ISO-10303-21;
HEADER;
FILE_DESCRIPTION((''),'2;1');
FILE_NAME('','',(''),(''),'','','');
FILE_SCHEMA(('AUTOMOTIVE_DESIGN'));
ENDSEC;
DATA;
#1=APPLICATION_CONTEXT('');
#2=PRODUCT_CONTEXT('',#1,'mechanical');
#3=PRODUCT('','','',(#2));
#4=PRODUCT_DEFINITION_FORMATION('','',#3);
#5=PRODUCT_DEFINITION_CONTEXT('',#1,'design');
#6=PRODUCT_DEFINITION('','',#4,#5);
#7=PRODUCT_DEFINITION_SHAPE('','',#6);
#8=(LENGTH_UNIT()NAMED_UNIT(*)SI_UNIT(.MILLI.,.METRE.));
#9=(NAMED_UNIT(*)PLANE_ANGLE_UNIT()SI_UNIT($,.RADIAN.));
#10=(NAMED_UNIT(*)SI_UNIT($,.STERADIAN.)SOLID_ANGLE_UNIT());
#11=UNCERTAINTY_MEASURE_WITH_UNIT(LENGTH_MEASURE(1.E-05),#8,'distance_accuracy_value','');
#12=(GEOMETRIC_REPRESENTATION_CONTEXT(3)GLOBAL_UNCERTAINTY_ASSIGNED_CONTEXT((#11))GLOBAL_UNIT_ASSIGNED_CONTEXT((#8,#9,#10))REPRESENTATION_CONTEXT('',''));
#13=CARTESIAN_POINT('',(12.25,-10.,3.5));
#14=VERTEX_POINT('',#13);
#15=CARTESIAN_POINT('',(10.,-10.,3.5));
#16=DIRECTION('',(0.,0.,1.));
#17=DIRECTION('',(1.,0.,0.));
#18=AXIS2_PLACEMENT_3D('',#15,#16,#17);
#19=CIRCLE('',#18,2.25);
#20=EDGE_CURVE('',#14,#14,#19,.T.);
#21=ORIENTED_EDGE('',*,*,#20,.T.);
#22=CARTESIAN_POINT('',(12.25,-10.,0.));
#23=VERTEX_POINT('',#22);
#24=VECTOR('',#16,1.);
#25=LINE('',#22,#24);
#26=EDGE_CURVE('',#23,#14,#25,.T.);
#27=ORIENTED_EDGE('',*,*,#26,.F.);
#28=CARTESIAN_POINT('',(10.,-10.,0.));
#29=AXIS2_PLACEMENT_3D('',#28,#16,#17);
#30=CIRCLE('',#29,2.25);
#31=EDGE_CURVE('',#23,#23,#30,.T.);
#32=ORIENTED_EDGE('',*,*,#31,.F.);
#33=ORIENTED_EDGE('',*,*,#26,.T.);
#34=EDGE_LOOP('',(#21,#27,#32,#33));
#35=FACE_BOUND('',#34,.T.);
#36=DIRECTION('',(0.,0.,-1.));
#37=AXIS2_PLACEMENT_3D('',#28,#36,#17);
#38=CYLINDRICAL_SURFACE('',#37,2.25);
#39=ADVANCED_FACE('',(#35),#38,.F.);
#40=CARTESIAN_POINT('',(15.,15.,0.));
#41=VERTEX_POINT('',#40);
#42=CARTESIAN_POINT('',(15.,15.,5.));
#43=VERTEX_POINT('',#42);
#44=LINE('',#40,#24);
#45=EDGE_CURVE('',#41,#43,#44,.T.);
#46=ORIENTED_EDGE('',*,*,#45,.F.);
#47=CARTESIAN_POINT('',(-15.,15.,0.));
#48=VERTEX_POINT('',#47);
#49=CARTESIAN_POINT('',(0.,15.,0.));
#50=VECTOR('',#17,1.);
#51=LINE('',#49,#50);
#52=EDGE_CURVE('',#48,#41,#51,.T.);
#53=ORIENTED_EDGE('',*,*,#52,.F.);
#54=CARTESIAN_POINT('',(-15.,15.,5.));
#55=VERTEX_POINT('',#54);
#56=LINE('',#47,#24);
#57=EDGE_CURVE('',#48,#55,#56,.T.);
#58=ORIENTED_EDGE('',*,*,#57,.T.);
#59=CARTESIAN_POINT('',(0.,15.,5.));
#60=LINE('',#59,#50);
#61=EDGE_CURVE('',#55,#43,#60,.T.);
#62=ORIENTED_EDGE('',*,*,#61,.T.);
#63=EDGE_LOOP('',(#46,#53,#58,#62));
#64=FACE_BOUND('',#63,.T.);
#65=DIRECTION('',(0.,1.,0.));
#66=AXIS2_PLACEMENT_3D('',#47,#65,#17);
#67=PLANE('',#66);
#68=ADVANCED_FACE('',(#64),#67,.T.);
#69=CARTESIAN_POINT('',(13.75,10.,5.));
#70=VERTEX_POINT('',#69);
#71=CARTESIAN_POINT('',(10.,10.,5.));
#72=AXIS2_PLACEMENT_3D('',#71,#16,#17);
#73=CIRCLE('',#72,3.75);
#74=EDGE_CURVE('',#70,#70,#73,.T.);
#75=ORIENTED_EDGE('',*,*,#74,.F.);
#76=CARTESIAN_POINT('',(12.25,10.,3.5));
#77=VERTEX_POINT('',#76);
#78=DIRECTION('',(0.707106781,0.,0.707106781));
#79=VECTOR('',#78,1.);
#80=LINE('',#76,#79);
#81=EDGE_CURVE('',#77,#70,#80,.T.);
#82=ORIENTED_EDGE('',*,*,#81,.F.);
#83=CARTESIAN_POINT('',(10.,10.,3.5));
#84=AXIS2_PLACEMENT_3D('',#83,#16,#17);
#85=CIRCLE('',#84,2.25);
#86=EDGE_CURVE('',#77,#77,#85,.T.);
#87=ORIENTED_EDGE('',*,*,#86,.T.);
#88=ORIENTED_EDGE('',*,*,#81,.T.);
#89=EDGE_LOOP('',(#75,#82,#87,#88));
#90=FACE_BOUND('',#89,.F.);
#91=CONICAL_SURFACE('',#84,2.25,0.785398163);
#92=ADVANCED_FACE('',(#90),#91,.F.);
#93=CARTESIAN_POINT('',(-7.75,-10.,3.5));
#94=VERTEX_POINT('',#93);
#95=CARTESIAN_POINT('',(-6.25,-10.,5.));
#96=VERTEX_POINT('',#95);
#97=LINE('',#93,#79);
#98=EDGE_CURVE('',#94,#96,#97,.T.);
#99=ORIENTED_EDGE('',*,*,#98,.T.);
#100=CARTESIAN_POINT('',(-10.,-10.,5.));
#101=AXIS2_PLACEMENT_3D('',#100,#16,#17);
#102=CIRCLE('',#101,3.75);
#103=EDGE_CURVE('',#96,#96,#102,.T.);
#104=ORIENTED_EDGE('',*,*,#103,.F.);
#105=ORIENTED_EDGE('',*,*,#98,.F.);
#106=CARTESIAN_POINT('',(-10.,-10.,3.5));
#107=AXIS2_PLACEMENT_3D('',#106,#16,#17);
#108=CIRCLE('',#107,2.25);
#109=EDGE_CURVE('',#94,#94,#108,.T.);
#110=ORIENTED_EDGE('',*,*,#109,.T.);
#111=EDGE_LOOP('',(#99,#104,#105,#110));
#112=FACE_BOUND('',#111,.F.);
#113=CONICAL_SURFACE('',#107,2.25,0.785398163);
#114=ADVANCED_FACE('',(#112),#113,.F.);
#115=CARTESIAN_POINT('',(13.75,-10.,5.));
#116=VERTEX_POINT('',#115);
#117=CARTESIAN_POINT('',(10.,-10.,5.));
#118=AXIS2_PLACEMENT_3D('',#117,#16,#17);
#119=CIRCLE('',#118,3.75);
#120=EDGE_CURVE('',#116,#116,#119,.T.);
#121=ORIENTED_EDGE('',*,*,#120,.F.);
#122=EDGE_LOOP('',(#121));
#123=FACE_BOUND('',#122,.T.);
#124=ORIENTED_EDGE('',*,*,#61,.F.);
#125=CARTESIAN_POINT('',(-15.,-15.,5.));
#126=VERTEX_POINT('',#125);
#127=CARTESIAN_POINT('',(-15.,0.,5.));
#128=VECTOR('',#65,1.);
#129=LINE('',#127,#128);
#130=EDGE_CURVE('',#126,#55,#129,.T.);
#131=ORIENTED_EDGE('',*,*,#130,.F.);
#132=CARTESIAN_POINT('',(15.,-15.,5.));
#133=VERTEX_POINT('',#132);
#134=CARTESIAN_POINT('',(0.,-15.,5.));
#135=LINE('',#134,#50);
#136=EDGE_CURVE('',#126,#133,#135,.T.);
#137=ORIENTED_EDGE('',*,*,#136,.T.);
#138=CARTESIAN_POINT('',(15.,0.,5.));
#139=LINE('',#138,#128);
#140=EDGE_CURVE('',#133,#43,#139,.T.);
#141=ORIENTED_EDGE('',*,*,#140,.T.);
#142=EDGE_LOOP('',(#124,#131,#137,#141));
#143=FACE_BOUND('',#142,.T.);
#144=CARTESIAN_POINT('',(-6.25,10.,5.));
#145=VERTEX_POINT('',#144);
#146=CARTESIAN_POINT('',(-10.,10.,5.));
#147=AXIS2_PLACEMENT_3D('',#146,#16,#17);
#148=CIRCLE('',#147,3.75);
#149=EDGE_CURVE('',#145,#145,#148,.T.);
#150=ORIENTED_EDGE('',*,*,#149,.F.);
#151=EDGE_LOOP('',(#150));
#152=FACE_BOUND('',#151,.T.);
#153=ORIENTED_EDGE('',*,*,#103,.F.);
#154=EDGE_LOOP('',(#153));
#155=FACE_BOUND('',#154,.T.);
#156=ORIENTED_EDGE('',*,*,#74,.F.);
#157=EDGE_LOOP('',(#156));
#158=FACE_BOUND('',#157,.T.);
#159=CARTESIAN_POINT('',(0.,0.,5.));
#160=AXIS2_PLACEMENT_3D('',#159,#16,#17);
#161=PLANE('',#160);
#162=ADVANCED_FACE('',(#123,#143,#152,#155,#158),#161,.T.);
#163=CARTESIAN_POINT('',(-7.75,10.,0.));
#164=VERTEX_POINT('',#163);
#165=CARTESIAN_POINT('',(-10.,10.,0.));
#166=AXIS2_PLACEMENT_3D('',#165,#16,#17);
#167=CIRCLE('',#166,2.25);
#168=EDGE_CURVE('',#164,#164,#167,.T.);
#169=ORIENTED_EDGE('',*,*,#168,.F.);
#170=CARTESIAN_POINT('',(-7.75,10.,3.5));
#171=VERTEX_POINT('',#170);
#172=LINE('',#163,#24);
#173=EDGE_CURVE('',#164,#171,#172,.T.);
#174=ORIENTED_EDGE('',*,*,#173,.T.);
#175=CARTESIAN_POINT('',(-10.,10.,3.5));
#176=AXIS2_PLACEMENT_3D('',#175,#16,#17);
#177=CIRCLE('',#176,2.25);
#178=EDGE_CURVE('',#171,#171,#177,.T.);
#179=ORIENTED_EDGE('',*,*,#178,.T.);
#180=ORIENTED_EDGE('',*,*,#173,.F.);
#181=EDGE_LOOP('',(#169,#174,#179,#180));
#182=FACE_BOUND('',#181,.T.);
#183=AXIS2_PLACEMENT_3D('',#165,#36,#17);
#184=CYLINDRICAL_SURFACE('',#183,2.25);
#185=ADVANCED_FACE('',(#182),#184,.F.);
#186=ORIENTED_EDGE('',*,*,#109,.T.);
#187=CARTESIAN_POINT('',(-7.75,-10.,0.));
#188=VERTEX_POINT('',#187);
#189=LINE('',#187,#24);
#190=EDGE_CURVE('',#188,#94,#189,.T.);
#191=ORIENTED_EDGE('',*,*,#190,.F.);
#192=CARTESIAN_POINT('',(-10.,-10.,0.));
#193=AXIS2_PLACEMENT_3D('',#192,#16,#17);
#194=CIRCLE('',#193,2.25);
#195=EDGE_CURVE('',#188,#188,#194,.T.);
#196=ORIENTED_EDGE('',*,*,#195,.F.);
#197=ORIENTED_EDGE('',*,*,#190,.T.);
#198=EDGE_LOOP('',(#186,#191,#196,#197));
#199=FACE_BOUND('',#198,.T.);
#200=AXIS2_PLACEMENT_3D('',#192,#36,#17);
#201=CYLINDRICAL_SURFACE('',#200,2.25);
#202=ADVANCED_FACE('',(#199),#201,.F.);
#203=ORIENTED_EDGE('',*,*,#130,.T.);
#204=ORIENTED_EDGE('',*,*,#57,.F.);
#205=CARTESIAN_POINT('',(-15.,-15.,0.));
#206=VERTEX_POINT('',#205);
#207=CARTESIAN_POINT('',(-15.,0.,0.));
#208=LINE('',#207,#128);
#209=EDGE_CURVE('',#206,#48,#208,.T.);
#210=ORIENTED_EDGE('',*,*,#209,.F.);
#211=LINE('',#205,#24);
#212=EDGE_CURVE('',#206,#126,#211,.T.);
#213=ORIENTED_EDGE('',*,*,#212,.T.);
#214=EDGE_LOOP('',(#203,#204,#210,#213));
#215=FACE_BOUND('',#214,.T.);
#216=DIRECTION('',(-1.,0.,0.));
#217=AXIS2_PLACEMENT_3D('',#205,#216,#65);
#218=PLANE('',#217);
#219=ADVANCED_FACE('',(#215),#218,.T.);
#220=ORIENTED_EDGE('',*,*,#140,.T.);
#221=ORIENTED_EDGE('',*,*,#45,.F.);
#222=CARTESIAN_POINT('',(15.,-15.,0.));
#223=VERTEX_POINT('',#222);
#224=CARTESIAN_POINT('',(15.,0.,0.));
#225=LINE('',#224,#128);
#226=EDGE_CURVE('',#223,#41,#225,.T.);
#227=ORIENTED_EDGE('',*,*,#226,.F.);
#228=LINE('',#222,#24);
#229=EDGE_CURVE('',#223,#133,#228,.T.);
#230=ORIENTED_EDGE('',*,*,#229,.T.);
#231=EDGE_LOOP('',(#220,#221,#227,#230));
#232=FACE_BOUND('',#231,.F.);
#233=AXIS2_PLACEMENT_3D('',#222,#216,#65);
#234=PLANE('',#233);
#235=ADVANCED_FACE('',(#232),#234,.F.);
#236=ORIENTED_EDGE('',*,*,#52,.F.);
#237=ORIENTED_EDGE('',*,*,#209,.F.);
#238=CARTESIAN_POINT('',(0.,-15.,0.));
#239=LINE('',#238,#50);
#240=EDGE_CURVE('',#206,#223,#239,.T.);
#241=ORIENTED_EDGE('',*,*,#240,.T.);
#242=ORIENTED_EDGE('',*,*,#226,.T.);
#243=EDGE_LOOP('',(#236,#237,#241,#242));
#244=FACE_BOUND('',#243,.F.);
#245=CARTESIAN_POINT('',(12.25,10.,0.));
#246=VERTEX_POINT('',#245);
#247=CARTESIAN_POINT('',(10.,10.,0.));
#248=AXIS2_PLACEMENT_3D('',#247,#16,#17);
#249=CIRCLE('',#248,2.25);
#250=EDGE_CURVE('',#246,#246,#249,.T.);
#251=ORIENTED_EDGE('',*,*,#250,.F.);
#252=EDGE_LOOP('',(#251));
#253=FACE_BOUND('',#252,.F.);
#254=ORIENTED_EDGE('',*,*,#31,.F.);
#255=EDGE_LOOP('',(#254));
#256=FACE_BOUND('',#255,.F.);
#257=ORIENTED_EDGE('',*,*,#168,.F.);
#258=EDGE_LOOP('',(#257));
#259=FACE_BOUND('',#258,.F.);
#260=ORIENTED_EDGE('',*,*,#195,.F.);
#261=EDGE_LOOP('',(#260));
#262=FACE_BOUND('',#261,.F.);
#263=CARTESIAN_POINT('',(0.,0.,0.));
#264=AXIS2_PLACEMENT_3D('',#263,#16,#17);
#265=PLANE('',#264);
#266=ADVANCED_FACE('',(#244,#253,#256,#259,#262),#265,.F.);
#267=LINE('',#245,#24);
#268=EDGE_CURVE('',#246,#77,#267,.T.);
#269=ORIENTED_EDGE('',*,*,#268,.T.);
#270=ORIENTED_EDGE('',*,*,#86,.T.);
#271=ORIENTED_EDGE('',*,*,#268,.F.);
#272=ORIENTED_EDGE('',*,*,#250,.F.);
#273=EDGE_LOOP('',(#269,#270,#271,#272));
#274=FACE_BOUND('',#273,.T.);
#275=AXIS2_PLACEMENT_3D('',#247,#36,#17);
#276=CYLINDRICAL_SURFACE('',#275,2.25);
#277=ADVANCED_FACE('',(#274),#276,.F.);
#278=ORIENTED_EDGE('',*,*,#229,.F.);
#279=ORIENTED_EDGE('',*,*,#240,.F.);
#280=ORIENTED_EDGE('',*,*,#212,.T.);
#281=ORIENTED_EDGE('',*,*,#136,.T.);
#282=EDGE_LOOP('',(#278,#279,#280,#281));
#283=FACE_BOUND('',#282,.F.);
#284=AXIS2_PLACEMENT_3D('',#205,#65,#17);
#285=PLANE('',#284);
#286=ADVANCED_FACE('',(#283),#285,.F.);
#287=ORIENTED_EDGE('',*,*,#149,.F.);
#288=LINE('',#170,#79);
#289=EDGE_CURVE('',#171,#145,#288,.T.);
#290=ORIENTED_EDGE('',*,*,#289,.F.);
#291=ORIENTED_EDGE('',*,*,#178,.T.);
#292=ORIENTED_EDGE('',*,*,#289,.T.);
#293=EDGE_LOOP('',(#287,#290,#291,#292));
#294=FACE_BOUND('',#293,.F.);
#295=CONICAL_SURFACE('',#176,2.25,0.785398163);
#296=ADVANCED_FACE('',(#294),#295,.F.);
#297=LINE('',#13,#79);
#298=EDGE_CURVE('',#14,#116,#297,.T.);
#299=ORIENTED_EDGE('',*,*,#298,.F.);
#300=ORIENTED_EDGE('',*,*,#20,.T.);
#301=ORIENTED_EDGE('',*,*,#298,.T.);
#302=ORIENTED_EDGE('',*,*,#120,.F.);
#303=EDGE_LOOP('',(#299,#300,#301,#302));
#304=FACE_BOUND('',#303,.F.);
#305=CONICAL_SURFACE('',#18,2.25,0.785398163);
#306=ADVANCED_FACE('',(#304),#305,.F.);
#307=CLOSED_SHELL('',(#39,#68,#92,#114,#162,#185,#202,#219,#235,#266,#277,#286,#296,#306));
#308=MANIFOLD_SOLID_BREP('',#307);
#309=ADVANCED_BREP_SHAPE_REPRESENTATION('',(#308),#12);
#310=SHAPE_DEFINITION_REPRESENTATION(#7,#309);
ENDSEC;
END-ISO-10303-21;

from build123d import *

# Parameters (mm, degrees)
F0_W     = 30
F0_H     = 30
F0_R     = 2.25
F1_DEPTH = 5
F2_SIZE  = 1.5


with BuildPart() as f1:
    # F0 (on Top) → F1 (new body)
    with BuildSketch(Plane.XY):
        Rectangle(F0_W, F0_H)
        with Locations((-10, -10)):
            Circle(F0_R, mode=Mode.SUBTRACT)
        with Locations((10, -10)):
            Circle(F0_R, mode=Mode.SUBTRACT)
        with Locations((-10, 10)):
            Circle(F0_R, mode=Mode.SUBTRACT)
        with Locations((10, 10)):
            Circle(F0_R, mode=Mode.SUBTRACT)
    extrude(amount=F1_DEPTH)

    # F2
    f2_edges = [f1.edges().sort_by_distance(p)[0] for p in [
        (-12.25, -10, 5),
        (-12.25, 10, 5),
        (7.75, -10, 5),
        (7.75, 10, 5),
    ]]
    chamfer(f2_edges, length=F2_SIZE)


solid = f1.part
